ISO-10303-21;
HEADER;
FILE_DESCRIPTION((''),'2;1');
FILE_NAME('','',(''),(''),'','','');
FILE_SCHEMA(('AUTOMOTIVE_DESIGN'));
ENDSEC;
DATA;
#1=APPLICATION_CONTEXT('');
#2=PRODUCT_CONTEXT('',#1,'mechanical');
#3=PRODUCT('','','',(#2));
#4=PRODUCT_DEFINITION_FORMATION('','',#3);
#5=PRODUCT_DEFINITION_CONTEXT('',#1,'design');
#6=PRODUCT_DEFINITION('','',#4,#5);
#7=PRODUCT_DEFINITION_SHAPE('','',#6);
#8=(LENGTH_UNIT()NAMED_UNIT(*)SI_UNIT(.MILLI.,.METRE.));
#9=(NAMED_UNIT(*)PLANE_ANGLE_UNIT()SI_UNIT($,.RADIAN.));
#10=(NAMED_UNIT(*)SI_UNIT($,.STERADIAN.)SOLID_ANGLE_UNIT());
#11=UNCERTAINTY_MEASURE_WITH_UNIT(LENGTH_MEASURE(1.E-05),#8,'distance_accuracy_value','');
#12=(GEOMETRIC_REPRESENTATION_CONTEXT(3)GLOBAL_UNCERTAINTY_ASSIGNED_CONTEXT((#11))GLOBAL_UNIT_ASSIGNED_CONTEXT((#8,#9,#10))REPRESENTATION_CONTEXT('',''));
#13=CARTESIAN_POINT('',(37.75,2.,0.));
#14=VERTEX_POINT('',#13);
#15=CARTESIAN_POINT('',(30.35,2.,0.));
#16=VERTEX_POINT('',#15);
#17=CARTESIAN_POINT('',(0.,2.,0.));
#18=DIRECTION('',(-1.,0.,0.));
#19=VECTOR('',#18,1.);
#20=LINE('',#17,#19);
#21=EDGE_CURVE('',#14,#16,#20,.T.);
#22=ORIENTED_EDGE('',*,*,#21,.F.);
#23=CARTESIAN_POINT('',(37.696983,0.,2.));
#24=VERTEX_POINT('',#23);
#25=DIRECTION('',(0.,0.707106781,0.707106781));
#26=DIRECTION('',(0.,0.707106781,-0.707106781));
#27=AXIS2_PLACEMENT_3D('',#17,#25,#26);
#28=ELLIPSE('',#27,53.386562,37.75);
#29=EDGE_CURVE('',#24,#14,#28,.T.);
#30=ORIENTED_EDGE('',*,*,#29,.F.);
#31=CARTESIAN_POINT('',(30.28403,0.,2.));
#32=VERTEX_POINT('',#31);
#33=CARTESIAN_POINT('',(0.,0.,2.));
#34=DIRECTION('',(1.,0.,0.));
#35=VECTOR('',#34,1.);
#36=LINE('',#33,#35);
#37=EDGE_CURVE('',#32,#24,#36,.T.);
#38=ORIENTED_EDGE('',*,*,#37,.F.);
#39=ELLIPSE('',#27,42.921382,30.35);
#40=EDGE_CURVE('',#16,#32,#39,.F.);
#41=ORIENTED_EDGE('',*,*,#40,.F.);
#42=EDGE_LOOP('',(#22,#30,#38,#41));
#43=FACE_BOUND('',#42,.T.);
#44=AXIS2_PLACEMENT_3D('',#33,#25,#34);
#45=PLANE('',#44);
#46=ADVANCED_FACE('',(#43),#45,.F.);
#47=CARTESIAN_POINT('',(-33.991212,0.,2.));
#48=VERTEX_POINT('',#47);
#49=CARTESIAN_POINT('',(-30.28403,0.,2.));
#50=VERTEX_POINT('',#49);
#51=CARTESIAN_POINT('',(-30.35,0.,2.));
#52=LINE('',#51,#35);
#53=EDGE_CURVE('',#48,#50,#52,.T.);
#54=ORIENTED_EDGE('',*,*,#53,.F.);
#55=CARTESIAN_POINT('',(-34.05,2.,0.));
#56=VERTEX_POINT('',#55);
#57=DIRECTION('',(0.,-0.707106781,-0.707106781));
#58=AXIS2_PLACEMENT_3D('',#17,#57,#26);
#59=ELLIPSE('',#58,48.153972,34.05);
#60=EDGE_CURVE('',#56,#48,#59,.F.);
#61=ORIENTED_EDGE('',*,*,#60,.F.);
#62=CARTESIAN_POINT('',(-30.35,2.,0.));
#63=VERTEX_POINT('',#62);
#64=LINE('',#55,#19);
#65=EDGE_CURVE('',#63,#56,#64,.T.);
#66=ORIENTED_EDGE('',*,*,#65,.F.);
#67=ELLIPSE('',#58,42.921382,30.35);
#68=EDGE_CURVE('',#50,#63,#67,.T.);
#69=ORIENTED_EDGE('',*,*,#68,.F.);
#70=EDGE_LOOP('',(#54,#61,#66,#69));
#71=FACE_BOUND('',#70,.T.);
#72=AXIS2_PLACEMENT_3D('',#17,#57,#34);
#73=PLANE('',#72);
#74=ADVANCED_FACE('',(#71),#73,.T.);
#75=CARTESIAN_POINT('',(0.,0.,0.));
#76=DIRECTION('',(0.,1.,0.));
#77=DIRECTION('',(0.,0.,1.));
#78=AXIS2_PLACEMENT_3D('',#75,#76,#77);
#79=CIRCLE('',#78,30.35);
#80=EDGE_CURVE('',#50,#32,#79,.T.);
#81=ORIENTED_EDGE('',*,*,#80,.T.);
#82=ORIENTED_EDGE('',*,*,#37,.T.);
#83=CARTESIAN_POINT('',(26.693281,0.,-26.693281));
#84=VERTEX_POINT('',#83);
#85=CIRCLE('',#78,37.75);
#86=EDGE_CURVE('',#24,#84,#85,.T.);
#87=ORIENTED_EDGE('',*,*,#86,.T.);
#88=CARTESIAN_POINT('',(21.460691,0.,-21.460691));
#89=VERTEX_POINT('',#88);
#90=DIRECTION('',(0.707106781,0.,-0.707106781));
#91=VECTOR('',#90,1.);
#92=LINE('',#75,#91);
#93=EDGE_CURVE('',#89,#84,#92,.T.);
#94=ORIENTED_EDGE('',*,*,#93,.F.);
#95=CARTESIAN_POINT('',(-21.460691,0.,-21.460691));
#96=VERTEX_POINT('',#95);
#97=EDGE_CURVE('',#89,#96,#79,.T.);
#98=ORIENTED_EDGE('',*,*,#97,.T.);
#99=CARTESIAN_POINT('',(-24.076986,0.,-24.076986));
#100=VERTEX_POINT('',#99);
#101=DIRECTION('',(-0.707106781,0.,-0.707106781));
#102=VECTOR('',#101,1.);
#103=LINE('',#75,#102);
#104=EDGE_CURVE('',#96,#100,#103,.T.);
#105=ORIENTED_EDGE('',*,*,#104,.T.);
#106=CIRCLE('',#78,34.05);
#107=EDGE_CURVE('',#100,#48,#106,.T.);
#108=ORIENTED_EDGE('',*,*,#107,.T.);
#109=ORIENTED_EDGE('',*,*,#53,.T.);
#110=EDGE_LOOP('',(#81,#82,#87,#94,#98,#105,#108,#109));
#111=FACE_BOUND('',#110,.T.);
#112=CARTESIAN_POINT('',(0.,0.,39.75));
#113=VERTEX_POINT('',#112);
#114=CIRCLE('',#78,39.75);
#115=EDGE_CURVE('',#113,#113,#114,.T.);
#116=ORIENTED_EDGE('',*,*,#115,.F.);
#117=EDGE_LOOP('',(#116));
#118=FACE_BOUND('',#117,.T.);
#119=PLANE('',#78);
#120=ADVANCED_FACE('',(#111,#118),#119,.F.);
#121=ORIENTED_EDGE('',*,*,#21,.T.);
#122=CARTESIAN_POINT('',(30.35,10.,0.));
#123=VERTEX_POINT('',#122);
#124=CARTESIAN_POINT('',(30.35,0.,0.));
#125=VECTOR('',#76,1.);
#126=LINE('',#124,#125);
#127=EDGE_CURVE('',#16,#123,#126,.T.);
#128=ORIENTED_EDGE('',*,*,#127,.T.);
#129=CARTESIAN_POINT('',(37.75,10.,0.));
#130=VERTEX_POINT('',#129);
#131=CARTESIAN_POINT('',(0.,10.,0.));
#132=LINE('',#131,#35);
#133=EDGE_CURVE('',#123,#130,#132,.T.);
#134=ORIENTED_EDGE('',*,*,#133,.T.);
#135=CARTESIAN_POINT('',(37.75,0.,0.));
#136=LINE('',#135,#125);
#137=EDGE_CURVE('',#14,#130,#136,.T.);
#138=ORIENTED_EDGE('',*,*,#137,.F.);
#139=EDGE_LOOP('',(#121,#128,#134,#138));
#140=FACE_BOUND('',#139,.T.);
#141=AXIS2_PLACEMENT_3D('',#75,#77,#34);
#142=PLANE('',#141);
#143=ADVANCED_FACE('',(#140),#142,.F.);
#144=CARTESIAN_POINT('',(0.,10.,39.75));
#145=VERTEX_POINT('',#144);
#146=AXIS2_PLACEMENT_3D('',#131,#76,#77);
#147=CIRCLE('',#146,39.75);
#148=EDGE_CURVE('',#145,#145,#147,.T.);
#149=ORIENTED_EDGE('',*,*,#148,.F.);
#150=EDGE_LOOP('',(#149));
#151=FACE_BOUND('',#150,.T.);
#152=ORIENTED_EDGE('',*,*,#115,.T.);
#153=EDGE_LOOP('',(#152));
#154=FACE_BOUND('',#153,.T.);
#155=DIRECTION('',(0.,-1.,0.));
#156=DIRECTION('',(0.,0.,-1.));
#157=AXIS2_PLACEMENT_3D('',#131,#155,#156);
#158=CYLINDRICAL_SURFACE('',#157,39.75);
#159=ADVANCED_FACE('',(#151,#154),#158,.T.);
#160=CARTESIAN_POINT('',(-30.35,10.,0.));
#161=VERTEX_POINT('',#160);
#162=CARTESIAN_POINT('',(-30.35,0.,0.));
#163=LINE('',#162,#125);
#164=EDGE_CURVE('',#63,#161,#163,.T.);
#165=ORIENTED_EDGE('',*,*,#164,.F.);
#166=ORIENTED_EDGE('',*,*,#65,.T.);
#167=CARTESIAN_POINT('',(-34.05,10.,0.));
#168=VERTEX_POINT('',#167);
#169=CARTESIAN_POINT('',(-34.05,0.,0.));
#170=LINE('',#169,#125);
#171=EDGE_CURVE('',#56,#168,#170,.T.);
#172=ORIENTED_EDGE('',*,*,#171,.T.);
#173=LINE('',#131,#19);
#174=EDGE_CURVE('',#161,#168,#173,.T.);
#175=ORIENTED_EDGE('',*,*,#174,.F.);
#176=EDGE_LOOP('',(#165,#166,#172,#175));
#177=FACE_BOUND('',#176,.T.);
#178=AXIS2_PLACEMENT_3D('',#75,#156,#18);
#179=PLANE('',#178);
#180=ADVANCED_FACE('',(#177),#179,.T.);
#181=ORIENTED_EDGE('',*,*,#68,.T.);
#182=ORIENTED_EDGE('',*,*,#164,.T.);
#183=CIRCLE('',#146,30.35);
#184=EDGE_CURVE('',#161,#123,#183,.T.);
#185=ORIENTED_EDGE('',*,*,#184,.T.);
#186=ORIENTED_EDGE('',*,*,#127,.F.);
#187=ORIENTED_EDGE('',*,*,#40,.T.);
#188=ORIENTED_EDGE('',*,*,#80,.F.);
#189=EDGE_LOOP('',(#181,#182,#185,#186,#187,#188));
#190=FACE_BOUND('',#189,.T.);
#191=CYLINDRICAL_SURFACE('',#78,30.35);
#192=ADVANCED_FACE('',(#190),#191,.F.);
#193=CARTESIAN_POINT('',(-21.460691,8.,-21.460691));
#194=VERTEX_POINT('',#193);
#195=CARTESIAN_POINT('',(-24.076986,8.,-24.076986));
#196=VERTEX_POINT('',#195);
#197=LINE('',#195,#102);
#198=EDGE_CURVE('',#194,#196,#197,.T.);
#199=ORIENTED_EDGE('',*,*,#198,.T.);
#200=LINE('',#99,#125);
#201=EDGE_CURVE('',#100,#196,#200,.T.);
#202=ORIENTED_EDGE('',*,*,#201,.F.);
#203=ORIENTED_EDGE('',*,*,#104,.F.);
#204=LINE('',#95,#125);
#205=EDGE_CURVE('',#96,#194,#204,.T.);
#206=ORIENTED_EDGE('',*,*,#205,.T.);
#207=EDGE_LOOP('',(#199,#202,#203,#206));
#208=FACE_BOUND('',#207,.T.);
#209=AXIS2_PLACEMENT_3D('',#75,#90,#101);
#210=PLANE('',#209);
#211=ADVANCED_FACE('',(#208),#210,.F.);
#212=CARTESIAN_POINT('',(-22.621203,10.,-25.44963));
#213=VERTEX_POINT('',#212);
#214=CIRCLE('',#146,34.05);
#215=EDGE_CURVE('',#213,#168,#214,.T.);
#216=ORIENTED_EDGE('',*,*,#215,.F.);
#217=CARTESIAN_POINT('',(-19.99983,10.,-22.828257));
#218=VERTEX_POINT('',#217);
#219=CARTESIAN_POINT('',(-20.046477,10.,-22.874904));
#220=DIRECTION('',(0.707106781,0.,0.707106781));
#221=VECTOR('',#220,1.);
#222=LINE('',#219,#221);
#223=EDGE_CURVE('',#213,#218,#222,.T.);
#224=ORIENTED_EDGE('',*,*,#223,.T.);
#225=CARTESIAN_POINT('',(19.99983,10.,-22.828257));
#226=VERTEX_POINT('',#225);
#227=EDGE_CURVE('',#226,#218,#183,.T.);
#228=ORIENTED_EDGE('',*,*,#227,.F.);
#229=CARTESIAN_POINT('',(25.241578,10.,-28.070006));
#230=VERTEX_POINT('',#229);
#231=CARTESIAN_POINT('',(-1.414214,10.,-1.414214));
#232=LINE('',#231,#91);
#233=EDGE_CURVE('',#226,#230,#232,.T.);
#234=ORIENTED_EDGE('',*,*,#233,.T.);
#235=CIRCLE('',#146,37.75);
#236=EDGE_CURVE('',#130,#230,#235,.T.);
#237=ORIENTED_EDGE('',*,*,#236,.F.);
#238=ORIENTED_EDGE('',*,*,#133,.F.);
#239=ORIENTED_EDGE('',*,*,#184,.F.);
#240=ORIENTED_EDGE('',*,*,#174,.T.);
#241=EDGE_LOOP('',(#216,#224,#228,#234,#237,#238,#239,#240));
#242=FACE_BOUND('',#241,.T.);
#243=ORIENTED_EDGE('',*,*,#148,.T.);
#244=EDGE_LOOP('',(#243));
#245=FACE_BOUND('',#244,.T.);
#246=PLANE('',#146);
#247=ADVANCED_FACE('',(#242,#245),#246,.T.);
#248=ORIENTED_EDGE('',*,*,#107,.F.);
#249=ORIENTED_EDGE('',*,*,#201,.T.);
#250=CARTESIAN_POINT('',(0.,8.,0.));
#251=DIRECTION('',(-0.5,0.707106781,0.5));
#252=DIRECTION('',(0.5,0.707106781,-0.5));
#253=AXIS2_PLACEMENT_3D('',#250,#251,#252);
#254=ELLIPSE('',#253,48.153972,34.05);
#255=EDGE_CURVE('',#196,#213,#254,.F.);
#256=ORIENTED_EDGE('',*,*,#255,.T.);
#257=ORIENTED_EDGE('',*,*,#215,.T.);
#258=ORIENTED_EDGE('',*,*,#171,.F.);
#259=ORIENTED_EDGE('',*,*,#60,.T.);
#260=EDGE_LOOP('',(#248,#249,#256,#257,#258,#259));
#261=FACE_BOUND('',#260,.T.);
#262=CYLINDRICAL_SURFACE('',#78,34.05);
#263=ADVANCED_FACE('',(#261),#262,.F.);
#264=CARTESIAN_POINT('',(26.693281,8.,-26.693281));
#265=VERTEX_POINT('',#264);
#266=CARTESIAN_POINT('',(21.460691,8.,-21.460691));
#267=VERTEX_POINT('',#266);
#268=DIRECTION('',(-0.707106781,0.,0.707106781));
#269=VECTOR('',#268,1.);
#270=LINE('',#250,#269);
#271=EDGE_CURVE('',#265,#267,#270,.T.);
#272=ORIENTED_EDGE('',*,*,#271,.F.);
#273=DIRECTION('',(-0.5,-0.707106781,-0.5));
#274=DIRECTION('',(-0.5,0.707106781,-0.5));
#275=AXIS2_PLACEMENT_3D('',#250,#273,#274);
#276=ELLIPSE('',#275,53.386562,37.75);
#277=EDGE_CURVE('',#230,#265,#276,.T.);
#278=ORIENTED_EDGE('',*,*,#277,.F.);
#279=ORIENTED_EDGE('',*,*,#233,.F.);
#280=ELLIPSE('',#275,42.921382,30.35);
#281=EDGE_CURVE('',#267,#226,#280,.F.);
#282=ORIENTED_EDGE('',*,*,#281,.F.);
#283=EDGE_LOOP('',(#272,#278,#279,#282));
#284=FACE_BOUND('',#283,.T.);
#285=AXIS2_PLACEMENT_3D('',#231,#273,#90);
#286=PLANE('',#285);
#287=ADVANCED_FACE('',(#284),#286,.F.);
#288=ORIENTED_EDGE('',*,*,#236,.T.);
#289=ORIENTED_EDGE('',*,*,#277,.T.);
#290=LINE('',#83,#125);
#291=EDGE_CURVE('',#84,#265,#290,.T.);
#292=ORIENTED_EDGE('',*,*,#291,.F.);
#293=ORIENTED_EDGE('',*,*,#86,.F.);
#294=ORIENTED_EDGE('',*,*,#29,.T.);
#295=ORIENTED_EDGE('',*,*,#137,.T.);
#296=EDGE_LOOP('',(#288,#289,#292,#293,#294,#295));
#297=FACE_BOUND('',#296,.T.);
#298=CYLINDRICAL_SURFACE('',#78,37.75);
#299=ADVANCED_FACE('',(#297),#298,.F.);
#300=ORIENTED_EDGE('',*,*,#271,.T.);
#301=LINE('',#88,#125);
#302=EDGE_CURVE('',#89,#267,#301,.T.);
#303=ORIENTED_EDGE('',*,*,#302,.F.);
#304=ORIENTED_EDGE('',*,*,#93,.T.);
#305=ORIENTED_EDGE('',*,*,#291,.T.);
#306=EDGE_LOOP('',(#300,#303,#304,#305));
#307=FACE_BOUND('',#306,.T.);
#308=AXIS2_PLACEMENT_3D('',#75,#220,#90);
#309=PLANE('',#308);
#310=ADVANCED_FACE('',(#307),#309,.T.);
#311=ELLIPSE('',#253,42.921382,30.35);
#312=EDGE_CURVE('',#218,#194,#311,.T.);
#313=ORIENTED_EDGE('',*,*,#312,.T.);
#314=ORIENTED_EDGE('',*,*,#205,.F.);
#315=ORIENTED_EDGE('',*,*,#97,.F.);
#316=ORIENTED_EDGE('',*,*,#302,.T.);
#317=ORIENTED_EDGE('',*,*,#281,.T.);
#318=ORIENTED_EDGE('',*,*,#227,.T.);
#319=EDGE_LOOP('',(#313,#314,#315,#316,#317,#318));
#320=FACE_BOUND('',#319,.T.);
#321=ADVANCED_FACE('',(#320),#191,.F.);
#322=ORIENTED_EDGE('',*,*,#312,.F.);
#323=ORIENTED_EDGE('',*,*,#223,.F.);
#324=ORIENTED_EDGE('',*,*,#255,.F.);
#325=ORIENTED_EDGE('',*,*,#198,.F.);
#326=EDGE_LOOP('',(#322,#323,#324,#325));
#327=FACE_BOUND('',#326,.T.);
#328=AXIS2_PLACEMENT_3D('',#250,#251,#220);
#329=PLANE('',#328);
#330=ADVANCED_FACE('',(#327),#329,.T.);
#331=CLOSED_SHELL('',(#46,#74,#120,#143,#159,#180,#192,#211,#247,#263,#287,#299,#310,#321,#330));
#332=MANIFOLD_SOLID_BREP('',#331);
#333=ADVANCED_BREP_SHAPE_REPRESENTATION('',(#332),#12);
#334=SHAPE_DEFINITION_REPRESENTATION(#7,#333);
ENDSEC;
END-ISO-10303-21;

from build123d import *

# Parameters (mm, degrees)
SKETCH1_R           = 39.75
BOSS_EXTRUDE1_DEPTH = 10
CUT_EXTRUDE4_DEPTH  = 10
CHAMFER1_SIZE       = 2
CHAMFER2_SIZE       = 2
CHAMFER3_SIZE       = 2
CHAMFER4_SIZE       = 2


with BuildPart() as part:
    # Sketch1 → Boss-Extrude1 (new body)
    with BuildSketch(Plane(origin=(0, 0, 0), x_dir=(1, 0, 0), z_dir=(0, 1, 0))):
        with Locations(Location((0, 0, 0), (0, 0, 270))):
            Circle(SKETCH1_R)
    extrude(amount=BOSS_EXTRUDE1_DEPTH)

    # Sketch2 → Cut-Extrude4 (cut)
    with BuildSketch(Plane(origin=(0, 10, 0), x_dir=(1, 0, 0), z_dir=(0, 1, 0))):
        with BuildLine():
            Line((30.35, 0), (37.75, 0))
            ThreePointArc((37.75, 0), (34.876452352, 14.446299572), (26.69328099, 26.69328099))
            Line((26.69328099, 26.69328099), (21.460690809, 21.460690809))
            ThreePointArc((21.460690809, 21.460690809), (0, 30.35), (-21.460690809, 21.460690809))
            Line((-21.460690809, 21.460690809), (-24.076985899, 24.076985899))
            ThreePointArc((-24.076985899, 24.076985899), (-31.458098082, 13.030370872), (-34.05, 0))
            Line((-34.05, 0), (-30.35, 0))
            ThreePointArc((-30.35, 0), (0, -30.35), (30.35, 0))
        make_face()
    extrude(amount=-CUT_EXTRUDE4_DEPTH, mode=Mode.SUBTRACT)

    # Chamfer1
    chamfer1_edges = [part.edges().sort_by_distance(p)[0] for p in [
        (34.05, 0, 0),
    ]]
    chamfer(chamfer1_edges, length=CHAMFER1_SIZE)

    # Chamfer2
    chamfer2_edges = [part.edges().sort_by_distance(p)[0] for p in [
        (-32.2, 0, 0),
    ]]
    chamfer(chamfer2_edges, length=CHAMFER2_SIZE)

    # Chamfer3
    chamfer3_edges = [part.edges().sort_by_distance(p)[0] for p in [
        (24.076985899, 10, -24.076985899),
    ]]
    chamfer(chamfer3_edges, length=CHAMFER3_SIZE)

    # Chamfer4
    chamfer4_edges = [part.edges().sort_by_distance(p)[0] for p in [
        (-22.768838354, 10, -22.768838354),
    ]]
    chamfer(chamfer4_edges, length=CHAMFER4_SIZE)


solid = part.part
